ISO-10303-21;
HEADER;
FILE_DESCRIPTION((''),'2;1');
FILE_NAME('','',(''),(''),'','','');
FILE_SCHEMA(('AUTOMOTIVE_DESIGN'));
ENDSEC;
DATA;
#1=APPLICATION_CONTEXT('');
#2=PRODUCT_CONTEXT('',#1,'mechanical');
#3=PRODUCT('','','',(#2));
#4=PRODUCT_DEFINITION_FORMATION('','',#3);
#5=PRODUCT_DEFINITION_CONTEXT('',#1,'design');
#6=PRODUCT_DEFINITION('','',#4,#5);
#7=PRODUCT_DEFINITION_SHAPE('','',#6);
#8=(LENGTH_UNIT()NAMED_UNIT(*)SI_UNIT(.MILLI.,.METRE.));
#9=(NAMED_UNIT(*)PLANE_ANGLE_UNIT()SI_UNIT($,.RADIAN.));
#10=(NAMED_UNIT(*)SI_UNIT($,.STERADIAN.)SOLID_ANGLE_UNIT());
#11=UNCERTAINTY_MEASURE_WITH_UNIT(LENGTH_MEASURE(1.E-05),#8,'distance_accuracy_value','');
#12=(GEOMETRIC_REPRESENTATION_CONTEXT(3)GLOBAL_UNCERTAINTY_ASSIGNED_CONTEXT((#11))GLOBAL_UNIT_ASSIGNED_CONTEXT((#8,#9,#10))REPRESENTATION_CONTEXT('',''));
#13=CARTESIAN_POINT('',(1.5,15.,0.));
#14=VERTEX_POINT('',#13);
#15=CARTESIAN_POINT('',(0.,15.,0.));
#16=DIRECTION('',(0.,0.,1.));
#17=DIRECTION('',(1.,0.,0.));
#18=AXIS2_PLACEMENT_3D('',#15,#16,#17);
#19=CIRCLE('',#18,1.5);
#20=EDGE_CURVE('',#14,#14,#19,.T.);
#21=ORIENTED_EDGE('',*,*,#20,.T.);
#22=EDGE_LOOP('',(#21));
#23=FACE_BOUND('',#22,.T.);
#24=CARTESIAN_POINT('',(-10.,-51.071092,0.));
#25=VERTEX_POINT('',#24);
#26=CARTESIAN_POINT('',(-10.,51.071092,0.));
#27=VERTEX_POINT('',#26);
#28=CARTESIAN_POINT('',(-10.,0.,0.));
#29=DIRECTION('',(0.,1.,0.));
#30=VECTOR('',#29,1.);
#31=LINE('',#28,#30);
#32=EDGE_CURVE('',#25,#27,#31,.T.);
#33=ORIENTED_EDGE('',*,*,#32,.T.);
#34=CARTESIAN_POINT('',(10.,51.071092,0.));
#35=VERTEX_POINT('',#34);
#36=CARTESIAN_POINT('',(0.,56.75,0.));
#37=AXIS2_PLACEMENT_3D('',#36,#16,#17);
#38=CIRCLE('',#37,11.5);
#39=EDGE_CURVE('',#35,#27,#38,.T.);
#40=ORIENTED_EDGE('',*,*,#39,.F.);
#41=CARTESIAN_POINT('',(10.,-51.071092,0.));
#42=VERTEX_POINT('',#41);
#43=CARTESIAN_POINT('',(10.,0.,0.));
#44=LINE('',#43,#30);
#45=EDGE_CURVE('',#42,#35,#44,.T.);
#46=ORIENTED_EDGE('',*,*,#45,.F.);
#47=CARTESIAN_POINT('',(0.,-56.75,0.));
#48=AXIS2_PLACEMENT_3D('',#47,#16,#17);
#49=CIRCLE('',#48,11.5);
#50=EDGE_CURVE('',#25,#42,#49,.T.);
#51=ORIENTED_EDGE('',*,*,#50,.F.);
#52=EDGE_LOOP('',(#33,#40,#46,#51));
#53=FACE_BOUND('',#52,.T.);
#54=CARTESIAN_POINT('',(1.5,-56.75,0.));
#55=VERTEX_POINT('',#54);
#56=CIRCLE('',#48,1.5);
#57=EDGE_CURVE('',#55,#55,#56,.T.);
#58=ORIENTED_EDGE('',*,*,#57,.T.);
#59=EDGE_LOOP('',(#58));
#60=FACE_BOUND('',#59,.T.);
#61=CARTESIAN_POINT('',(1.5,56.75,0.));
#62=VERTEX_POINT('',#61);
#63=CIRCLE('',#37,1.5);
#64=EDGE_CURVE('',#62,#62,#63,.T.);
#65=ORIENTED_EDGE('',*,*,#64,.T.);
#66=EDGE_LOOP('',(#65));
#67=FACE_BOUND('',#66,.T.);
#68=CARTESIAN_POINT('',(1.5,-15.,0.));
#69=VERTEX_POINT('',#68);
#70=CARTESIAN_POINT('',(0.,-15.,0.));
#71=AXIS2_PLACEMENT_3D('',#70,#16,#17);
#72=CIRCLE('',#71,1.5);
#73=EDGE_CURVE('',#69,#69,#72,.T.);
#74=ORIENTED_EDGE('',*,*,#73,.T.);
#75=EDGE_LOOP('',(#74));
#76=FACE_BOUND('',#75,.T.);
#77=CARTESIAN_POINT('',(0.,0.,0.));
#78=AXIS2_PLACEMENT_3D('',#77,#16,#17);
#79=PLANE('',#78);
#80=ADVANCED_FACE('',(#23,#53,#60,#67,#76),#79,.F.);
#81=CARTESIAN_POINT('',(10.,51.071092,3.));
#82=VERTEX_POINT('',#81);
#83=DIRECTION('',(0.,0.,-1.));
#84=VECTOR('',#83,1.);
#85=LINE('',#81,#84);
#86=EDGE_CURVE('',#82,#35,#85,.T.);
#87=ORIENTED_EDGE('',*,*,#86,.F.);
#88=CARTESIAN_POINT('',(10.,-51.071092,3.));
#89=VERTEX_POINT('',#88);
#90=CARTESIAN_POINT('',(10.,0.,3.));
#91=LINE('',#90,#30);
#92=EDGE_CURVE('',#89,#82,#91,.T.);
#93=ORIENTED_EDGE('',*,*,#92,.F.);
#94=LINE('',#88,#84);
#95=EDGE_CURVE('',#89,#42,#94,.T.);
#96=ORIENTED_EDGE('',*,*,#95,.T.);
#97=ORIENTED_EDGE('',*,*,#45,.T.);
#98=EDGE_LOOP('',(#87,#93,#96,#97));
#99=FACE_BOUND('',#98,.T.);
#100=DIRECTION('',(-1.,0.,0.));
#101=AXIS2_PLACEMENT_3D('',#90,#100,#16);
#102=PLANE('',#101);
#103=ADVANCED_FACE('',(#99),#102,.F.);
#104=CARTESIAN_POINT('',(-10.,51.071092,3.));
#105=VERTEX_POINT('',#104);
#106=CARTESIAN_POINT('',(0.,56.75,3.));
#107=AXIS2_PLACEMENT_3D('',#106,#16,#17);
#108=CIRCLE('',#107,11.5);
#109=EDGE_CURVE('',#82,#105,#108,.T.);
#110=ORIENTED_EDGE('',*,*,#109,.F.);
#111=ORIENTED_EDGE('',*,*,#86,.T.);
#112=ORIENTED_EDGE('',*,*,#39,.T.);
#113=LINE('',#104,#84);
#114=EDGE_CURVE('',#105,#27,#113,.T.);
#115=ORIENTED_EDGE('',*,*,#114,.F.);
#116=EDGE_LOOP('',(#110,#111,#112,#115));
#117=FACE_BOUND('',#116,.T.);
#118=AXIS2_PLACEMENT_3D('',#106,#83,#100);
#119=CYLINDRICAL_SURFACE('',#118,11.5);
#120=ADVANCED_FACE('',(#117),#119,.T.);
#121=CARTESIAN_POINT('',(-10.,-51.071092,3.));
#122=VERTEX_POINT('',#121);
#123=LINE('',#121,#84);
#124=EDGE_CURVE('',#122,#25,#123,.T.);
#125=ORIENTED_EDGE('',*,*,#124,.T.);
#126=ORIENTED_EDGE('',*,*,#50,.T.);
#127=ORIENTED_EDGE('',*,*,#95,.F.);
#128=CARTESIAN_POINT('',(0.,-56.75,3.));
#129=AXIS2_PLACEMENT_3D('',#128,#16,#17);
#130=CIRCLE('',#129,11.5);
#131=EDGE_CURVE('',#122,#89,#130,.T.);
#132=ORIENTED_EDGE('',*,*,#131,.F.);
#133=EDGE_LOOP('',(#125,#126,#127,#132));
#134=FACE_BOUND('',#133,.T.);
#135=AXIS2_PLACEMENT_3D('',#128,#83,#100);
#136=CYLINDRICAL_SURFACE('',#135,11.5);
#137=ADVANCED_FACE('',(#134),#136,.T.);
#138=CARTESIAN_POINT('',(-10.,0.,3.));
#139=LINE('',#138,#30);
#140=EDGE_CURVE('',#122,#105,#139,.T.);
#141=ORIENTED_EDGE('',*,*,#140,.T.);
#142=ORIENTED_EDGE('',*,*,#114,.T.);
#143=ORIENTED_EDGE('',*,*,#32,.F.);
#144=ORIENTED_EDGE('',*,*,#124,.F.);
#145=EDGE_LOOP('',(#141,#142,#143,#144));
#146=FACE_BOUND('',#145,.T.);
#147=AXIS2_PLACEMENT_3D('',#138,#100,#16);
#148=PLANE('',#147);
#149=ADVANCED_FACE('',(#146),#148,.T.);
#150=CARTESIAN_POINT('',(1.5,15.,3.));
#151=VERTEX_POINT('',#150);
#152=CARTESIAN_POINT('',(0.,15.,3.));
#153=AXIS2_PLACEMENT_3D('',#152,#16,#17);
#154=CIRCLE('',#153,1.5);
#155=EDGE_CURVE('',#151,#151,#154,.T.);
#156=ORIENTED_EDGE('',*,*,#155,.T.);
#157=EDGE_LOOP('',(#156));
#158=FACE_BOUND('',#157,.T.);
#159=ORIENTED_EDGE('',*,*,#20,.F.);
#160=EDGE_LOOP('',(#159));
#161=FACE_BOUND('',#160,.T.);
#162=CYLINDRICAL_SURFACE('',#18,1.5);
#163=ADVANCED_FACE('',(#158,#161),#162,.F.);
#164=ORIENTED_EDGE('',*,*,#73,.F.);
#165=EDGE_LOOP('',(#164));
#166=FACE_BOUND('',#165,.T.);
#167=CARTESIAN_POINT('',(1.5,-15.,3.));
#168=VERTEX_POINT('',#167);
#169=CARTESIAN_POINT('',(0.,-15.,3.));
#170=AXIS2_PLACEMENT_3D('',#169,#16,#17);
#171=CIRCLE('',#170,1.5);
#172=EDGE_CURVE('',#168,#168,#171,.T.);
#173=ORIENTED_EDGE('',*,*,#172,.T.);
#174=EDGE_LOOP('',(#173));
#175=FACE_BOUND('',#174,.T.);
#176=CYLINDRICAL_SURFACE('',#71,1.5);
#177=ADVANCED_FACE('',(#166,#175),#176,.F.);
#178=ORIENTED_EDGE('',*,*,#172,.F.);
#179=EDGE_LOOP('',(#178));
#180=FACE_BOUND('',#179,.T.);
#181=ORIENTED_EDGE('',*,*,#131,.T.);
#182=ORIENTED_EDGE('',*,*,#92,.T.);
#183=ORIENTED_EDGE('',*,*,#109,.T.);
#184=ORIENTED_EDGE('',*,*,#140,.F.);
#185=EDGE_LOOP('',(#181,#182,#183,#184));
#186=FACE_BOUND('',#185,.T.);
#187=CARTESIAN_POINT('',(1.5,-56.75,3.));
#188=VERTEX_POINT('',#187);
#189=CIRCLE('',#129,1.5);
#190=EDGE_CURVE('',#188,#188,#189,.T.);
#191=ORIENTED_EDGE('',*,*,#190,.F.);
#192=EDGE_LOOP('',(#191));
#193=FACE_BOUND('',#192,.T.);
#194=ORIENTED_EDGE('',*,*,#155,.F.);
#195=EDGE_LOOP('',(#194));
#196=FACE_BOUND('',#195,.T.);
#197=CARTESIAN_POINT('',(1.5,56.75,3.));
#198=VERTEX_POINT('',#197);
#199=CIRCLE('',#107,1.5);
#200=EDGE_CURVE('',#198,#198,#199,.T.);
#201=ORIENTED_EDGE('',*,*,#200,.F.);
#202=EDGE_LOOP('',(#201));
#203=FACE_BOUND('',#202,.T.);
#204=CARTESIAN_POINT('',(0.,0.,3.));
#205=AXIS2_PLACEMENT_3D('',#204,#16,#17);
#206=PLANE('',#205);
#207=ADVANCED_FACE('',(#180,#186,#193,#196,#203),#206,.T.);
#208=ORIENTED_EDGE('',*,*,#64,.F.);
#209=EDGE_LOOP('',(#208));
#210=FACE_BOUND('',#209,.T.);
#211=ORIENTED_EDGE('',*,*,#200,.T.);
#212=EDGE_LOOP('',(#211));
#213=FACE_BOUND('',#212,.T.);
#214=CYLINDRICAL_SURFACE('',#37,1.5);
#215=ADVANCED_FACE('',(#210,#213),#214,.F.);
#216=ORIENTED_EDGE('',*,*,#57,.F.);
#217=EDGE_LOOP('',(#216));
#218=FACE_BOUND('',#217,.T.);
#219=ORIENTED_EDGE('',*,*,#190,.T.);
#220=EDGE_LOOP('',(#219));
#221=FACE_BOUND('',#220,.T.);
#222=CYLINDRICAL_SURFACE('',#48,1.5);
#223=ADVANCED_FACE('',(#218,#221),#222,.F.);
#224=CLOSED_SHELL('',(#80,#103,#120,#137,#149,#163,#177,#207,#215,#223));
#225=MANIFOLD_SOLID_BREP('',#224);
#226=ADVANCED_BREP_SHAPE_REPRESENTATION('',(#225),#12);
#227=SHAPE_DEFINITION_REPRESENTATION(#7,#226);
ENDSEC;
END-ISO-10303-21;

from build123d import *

# Parameters (mm, degrees)
SALIENTE_EXTRUIR1_DEPTH = 3
CROQUIS2_R              = 1.5
CORTAR_EXTRUIR1_DEPTH   = 4


with BuildPart() as part:
    # Croquis1 → Saliente-Extruir1 (new body)
    with BuildSketch(Plane.XY):
        with BuildLine():
            ThreePointArc((-10, -51.071091654), (0, -45.25), (10, -51.071091654))
            Line((10, -51.071091654), (10, 51.071091654))
            ThreePointArc((10, 51.071091654), (0, 45.25), (-10, 51.071091654))
            Line((-10, 51.071091654), (-10, -51.071091654))
        make_face()
        with BuildLine():
            ThreePointArc((-10, 51.071091654), (0, 45.25), (10, 51.071091654))
            Line((10, 51.071091654), (10, 56.75))
            Line((10, 56.75), (-10, 56.75))
            Line((-10, 56.75), (-10, 51.071091654))
        make_face()
        with BuildLine():
            Line((10, 56.75), (10, 51.071091654))
            ThreePointArc((10, 51.071091654), (11.118677979, 53.813164969), (11.5, 56.75))
            ThreePointArc((11.5, 56.75), (-2.936835031, 67.868677979), (-10, 51.071091654))
            Line((-10, 51.071091654), (-10, 56.75))
            Line((-10, 56.75), (10, 56.75))
        make_face()
        with BuildLine():
            Line((10, -51.071091654), (10, -56.75))
            Line((10, -56.75), (-10, -56.75))
            Line((-10, -56.75), (-10, -51.071091654))
            ThreePointArc((-10, -51.071091654), (-2.936835031, -67.868677979), (11.5, -56.75))
            ThreePointArc((11.5, -56.75), (11.118677979, -53.813164969), (10, -51.071091654))
        make_face()
        with BuildLine():
            Line((-10, -56.75), (10, -56.75))
            Line((10, -56.75), (10, -51.071091654))
            ThreePointArc((10, -51.071091654), (0, -45.25), (-10, -51.071091654))
            Line((-10, -51.071091654), (-10, -56.75))
        make_face()
    extrude(amount=SALIENTE_EXTRUIR1_DEPTH)

    # Croquis2 → Cortar-Extruir1 (cut, through all)
    with BuildSketch(Plane.XY.offset(3)):
        with Locations((0, 15)):
            Circle(CROQUIS2_R)
        with Locations((0, -15)):
            Circle(CROQUIS2_R)
        with Locations((0, 56.75)):
            Circle(CROQUIS2_R)
        with Locations((0, -56.75)):
            Circle(CROQUIS2_R)
    extrude(amount=-CORTAR_EXTRUIR1_DEPTH, mode=Mode.SUBTRACT)


solid = part.part
